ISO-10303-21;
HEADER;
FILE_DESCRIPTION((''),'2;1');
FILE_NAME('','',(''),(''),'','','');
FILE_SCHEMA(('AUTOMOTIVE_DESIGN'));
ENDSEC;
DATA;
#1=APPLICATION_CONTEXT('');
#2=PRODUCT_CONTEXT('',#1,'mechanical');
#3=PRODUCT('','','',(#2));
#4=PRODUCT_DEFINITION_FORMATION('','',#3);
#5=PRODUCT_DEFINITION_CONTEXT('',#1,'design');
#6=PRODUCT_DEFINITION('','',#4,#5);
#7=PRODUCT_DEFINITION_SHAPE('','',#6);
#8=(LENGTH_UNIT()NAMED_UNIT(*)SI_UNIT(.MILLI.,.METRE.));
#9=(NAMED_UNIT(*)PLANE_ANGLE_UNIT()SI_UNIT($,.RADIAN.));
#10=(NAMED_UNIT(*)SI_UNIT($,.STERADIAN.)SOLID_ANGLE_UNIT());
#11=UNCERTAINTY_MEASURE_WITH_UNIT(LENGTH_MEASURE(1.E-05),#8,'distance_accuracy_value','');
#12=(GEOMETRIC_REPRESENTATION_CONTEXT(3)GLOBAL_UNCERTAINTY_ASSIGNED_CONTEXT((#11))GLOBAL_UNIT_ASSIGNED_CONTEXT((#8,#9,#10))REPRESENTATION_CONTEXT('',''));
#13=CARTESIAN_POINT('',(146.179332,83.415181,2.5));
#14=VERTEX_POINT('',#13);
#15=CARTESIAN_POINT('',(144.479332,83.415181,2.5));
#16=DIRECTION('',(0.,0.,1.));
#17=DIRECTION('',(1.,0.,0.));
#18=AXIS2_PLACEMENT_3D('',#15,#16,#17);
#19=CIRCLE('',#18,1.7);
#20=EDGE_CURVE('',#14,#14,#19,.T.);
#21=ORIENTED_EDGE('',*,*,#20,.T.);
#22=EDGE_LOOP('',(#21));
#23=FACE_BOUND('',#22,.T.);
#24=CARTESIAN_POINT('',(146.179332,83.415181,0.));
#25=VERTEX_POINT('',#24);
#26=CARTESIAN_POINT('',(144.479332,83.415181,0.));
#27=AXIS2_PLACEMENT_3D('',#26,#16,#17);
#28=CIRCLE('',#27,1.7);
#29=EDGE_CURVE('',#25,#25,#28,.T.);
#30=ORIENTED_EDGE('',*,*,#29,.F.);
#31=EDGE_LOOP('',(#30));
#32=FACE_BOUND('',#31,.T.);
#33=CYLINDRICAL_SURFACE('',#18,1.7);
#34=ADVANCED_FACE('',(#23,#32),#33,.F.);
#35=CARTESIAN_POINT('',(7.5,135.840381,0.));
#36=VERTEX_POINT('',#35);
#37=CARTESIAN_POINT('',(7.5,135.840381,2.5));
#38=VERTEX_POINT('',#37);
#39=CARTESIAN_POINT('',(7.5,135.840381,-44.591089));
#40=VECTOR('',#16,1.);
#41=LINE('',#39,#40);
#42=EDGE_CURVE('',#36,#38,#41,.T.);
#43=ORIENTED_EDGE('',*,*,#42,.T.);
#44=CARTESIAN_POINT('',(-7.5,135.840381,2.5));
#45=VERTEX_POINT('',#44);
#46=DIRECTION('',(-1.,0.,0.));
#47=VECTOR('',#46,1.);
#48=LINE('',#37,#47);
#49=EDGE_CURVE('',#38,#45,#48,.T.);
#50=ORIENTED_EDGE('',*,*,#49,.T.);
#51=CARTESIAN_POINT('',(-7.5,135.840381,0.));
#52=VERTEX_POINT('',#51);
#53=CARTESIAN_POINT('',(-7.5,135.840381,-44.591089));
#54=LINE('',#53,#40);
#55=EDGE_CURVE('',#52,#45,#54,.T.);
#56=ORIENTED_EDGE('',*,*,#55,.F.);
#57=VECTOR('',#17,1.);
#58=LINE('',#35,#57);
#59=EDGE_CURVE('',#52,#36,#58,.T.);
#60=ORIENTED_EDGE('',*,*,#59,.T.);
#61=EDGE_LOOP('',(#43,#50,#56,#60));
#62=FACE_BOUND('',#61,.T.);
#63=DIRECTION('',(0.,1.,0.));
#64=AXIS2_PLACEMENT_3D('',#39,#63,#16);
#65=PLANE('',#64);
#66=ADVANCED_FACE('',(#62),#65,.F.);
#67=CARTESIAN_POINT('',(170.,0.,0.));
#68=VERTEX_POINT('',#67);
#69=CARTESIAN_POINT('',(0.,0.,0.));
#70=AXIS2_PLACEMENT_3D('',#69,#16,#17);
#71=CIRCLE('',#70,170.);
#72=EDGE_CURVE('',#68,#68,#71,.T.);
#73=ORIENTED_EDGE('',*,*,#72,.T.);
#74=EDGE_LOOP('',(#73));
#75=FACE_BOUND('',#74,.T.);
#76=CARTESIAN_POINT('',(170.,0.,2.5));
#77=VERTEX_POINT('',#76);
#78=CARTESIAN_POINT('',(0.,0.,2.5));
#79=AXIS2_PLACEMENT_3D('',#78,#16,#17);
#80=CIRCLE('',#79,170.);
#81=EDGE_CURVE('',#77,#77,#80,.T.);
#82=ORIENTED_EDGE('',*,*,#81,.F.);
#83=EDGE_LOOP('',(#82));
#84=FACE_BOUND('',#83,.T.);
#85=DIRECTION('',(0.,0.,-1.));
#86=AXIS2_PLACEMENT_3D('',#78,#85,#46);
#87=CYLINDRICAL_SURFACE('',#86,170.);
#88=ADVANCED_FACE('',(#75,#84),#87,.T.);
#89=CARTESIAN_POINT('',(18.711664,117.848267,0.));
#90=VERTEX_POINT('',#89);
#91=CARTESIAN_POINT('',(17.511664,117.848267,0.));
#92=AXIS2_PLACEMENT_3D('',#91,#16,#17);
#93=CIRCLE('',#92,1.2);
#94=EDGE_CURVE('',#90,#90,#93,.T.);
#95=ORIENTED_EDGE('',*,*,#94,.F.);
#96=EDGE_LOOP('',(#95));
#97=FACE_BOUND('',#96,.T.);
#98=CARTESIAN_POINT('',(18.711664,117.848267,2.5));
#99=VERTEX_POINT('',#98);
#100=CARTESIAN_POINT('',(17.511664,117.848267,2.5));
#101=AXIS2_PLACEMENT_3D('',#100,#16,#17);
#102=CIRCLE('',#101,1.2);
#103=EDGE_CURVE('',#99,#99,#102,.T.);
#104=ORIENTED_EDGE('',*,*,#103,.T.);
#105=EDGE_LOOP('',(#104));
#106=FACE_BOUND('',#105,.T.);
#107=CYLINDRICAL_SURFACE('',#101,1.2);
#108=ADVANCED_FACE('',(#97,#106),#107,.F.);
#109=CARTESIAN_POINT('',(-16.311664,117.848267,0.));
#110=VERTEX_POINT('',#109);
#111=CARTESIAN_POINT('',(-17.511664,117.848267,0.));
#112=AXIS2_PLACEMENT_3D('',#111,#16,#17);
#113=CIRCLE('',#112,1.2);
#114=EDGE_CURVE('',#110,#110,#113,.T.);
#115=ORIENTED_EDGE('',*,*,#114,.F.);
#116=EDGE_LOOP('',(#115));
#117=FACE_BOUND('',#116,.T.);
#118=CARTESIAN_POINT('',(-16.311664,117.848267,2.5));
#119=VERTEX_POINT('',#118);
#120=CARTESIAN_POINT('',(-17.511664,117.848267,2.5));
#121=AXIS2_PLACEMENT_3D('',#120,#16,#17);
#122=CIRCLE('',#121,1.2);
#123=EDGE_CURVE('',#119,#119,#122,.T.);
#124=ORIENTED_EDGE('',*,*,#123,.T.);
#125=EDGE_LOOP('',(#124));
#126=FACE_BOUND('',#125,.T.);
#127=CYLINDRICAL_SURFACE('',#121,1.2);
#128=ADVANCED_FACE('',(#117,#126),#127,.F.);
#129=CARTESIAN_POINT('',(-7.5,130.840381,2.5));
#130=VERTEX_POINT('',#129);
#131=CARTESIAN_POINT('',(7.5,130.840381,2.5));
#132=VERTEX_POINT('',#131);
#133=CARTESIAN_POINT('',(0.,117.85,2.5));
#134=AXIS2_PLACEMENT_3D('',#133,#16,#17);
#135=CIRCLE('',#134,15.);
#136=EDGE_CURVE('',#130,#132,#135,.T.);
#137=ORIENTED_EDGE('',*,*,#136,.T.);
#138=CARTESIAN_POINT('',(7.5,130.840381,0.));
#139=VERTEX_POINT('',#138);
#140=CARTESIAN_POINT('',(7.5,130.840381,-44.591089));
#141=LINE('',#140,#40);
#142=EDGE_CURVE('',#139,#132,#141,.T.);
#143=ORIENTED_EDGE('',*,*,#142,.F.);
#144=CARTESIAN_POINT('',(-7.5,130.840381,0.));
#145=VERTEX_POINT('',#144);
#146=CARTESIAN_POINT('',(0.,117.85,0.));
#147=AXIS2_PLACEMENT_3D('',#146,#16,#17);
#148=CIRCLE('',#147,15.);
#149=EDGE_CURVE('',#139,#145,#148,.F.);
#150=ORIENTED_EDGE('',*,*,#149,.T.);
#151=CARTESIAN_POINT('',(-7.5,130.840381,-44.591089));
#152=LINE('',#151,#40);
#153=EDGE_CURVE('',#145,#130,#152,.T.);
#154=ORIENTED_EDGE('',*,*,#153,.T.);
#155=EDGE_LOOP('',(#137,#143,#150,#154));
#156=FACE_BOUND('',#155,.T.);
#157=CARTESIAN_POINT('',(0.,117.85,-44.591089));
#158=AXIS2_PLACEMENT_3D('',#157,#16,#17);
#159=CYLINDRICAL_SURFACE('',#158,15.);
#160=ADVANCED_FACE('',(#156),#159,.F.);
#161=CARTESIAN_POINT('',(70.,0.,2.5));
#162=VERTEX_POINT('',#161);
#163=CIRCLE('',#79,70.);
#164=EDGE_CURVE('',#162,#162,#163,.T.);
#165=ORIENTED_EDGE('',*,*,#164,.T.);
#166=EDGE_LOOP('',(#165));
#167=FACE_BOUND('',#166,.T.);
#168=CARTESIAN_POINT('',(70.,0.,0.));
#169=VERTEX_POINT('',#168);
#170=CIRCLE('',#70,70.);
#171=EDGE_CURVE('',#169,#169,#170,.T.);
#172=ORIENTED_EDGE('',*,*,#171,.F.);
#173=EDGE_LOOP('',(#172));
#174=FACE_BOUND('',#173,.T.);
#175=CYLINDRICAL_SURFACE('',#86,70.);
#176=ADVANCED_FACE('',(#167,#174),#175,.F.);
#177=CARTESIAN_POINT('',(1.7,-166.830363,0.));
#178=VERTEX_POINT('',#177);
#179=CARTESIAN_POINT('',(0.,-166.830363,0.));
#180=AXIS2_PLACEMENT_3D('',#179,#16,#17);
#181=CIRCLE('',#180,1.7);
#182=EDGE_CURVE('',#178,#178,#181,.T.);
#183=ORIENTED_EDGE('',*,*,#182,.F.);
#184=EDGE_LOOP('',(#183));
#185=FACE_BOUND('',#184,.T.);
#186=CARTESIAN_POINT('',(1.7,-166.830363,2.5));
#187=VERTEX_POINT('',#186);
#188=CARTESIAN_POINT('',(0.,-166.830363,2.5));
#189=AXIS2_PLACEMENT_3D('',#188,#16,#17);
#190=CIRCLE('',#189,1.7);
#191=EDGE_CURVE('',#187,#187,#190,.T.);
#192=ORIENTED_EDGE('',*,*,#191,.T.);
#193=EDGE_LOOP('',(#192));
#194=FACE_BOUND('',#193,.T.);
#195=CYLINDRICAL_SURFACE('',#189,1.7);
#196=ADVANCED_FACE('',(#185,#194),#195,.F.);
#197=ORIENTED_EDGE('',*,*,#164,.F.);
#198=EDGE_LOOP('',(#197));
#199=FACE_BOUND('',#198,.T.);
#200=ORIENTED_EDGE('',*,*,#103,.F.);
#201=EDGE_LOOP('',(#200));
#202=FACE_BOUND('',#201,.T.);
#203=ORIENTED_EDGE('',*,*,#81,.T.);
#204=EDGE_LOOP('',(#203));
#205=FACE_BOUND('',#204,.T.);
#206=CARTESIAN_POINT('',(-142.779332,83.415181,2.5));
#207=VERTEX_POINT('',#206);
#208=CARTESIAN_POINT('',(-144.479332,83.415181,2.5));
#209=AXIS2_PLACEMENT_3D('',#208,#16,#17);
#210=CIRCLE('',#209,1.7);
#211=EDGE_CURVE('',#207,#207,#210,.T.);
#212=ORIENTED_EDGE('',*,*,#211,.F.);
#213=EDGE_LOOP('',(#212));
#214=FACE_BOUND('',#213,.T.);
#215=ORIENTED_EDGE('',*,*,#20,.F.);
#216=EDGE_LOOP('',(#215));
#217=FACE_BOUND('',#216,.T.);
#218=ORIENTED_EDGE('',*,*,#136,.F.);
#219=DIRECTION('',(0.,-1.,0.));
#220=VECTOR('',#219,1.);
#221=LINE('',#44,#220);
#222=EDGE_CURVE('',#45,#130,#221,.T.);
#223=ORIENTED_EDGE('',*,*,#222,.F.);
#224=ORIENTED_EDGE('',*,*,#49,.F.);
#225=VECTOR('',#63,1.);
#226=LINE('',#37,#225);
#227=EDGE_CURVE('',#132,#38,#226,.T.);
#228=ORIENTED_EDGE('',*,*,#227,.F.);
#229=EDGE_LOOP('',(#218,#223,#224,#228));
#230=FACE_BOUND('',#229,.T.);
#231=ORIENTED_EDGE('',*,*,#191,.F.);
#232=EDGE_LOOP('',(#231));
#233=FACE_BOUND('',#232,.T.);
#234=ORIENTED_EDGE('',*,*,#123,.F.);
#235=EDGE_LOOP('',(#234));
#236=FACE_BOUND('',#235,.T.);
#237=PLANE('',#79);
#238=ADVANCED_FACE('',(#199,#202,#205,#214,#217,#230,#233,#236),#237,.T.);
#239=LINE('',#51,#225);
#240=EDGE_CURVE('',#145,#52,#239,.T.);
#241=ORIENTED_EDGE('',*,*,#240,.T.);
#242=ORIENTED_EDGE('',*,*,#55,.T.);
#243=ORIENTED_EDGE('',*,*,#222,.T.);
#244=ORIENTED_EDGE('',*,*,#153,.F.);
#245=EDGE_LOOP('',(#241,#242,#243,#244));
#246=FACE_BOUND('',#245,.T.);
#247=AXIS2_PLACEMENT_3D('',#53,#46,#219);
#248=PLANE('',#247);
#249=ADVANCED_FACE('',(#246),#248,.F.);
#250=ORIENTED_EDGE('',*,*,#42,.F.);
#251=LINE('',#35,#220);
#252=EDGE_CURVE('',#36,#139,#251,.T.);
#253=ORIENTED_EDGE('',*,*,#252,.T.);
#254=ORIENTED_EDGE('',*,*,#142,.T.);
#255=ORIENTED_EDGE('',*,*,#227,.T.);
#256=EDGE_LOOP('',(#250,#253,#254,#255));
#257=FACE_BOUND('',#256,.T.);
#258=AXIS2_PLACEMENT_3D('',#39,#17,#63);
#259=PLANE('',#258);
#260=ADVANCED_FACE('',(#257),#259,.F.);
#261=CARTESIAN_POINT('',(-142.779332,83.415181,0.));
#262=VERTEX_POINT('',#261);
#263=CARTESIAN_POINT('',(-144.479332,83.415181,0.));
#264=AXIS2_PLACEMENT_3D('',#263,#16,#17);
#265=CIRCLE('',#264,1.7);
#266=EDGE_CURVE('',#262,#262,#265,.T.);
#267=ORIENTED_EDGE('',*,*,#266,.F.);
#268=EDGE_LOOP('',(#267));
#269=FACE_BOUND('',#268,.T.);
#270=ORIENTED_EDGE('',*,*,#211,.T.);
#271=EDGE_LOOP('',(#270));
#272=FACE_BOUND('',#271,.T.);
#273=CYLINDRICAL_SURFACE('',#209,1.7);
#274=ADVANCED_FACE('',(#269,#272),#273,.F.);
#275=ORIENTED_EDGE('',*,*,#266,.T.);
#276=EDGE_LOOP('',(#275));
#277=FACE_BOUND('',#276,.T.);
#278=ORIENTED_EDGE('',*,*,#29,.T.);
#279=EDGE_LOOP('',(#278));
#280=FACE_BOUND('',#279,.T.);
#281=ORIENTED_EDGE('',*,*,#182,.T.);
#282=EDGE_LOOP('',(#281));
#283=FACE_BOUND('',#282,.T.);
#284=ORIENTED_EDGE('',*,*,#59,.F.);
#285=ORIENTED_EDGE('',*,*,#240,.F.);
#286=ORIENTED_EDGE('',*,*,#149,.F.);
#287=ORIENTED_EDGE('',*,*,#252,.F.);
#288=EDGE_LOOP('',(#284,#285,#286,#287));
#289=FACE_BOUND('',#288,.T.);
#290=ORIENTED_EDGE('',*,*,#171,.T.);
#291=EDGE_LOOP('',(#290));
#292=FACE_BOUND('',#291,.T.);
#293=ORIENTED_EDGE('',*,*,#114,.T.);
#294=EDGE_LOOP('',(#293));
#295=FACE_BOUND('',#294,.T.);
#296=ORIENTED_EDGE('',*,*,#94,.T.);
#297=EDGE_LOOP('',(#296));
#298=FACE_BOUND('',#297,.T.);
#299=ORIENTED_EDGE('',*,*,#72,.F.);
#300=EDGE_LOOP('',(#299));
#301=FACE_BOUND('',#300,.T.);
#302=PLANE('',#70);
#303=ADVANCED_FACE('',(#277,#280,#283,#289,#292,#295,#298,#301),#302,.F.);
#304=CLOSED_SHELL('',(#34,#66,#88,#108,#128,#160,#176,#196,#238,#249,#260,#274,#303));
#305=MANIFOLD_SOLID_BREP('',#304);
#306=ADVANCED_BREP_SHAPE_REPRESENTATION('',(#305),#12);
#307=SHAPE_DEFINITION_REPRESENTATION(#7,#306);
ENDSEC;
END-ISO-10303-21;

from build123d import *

# Parameters (mm, degrees)
SCHIZZO1_R                   = 170
SCHIZZO1_R_2                 = 70
ESTRUSIONE_ESTRUSIONE1_DEPTH = 2.5
TAGLIO_ESTRUSIONE1_DEPTH     = 2.5
FORO_PER_VITE_M2_1_D         = 2.4
FORO_PER_VITE_M3_1_D         = 3.4
RIPETIZIONECIRCOLARE1_COUNT  = 3


with BuildPart() as part:
    # Schizzo1 → Estrusione-Estrusione1 (new body)
    with BuildSketch(Plane.XY):
        Circle(SCHIZZO1_R)
        Circle(SCHIZZO1_R_2, mode=Mode.SUBTRACT)
    extrude(amount=ESTRUSIONE_ESTRUSIONE1_DEPTH)

    # Schizzo3 → Taglio-Estrusione1 (cut)
    with BuildSketch(Plane.XY.offset(2.5)):
        with BuildLine():
            Line((7.5, 135.840381057), (-7.5, 135.840381057))
            Line((-7.5, 135.840381057), (-7.5, 130.840381057))
            ThreePointArc((-7.5, 130.840381057), (0, 102.85), (7.5, 130.840381057))
            Line((7.5, 130.840381057), (7.5, 135.840381057))
        make_face()
    extrude(amount=-TAGLIO_ESTRUSIONE1_DEPTH, mode=Mode.SUBTRACT)

    # Foro per Vite M2-1 (through all)
    with Locations(Plane.XY.offset(2.5)):
        with Locations((17.511664312, 117.848267331), (-17.511664312, 117.848267331)):
            Hole(FORO_PER_VITE_M2_1_D / 2)

    # Foro per Vite M3-1 (through all)
    with Locations(Plane.XY.offset(2.5)):
        with Locations((0, -166.830362559)):
            foro_per_vite_m3_1 = Hole(FORO_PER_VITE_M3_1_D / 2)

    # RipetizioneCircolare1: Foro per Vite M3-1 ×3 about axis
    ripetizionecircolare1_axis = Axis((0, 0, 0), (0, 0, 1))
    for i in range(1, RIPETIZIONECIRCOLARE1_COUNT):
        add(foro_per_vite_m3_1.rotate(ripetizionecircolare1_axis, i * 360 / RIPETIZIONECIRCOLARE1_COUNT), mode=Mode.SUBTRACT)


solid = part.part
